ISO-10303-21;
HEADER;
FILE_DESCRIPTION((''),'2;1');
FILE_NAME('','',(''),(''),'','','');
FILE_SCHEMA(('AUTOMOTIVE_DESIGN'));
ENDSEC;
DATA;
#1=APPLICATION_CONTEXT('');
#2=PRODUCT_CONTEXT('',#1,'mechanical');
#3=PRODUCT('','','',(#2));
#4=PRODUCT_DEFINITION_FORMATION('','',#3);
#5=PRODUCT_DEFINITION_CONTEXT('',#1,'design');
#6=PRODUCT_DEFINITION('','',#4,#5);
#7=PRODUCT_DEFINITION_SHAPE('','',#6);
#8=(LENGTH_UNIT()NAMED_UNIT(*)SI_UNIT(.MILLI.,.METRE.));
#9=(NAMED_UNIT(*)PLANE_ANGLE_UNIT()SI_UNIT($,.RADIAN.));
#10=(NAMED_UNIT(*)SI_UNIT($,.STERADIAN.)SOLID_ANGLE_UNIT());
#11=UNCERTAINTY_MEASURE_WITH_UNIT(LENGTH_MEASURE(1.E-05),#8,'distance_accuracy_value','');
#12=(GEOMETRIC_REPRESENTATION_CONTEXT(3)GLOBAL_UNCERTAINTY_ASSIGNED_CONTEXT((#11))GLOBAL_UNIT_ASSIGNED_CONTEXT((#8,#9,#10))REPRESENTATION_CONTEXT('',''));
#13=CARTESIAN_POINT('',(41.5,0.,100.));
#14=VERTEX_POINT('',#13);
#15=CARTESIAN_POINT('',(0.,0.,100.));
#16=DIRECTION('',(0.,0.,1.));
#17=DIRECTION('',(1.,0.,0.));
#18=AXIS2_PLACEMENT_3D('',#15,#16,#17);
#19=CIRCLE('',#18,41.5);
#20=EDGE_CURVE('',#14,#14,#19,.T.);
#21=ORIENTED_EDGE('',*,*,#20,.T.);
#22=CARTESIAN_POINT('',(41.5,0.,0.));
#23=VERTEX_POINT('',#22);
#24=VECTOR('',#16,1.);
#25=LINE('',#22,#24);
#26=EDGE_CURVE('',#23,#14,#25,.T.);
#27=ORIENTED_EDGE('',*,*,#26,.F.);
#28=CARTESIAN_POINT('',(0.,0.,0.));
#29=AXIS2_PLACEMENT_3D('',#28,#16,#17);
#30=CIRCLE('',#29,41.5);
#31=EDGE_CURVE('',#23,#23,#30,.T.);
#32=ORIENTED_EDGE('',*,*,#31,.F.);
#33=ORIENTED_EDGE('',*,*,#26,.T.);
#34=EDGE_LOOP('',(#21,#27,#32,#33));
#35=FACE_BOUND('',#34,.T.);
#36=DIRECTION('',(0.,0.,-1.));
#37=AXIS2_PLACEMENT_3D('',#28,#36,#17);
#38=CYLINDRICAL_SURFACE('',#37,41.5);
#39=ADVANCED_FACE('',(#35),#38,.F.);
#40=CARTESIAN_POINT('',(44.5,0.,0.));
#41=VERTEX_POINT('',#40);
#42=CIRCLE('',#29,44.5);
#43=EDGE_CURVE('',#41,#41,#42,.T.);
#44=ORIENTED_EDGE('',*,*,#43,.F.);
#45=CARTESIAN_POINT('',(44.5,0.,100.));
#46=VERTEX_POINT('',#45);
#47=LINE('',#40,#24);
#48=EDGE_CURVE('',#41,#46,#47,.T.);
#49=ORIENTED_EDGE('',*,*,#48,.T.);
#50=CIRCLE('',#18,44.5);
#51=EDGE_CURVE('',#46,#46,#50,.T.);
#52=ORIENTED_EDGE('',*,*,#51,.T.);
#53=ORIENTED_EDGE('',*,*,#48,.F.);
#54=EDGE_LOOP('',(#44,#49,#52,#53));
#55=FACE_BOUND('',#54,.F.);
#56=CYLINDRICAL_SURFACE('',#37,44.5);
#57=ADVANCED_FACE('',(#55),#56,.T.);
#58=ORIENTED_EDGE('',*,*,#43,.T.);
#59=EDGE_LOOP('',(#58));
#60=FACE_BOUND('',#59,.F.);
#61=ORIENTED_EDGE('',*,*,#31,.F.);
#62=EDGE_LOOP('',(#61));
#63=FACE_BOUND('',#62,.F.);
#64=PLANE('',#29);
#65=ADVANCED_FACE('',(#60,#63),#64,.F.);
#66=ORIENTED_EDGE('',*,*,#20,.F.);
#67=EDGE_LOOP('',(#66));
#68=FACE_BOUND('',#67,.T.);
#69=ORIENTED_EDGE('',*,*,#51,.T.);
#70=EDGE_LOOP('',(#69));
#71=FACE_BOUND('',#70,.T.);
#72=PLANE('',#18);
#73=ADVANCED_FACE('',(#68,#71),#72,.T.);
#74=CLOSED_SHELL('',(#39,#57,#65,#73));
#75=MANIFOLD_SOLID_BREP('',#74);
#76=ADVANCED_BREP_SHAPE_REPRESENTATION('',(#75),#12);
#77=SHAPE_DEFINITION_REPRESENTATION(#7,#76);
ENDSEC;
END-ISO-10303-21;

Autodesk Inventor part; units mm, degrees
ref_plane "YZ Plane" through (0, 0, 0) normal (1, 0, 0) x (0, 1, 0)
ref_plane "XZ Plane" through (0, 0, 0) normal (0, 1, 0) x (-1, 0, 0)
ref_plane "XY Plane" through (0, 0, 0) normal (0, 0, 1) x (1, 0, 0)
sketch "Sketch1" plane through (0, 0, 0) normal (0, 0, 1) x (1, 0, 0)
  circle A0 centre (0, 0) radius 44.5
  circle A1 centre (0, 0) radius 41.5
  dimension "d0" = 89
  dimension "d1" = 3
extrude "Extrusion1" add sketch "Sketch1" along normal blind 100
properties part number "MSC 105 rocket tube 9"
